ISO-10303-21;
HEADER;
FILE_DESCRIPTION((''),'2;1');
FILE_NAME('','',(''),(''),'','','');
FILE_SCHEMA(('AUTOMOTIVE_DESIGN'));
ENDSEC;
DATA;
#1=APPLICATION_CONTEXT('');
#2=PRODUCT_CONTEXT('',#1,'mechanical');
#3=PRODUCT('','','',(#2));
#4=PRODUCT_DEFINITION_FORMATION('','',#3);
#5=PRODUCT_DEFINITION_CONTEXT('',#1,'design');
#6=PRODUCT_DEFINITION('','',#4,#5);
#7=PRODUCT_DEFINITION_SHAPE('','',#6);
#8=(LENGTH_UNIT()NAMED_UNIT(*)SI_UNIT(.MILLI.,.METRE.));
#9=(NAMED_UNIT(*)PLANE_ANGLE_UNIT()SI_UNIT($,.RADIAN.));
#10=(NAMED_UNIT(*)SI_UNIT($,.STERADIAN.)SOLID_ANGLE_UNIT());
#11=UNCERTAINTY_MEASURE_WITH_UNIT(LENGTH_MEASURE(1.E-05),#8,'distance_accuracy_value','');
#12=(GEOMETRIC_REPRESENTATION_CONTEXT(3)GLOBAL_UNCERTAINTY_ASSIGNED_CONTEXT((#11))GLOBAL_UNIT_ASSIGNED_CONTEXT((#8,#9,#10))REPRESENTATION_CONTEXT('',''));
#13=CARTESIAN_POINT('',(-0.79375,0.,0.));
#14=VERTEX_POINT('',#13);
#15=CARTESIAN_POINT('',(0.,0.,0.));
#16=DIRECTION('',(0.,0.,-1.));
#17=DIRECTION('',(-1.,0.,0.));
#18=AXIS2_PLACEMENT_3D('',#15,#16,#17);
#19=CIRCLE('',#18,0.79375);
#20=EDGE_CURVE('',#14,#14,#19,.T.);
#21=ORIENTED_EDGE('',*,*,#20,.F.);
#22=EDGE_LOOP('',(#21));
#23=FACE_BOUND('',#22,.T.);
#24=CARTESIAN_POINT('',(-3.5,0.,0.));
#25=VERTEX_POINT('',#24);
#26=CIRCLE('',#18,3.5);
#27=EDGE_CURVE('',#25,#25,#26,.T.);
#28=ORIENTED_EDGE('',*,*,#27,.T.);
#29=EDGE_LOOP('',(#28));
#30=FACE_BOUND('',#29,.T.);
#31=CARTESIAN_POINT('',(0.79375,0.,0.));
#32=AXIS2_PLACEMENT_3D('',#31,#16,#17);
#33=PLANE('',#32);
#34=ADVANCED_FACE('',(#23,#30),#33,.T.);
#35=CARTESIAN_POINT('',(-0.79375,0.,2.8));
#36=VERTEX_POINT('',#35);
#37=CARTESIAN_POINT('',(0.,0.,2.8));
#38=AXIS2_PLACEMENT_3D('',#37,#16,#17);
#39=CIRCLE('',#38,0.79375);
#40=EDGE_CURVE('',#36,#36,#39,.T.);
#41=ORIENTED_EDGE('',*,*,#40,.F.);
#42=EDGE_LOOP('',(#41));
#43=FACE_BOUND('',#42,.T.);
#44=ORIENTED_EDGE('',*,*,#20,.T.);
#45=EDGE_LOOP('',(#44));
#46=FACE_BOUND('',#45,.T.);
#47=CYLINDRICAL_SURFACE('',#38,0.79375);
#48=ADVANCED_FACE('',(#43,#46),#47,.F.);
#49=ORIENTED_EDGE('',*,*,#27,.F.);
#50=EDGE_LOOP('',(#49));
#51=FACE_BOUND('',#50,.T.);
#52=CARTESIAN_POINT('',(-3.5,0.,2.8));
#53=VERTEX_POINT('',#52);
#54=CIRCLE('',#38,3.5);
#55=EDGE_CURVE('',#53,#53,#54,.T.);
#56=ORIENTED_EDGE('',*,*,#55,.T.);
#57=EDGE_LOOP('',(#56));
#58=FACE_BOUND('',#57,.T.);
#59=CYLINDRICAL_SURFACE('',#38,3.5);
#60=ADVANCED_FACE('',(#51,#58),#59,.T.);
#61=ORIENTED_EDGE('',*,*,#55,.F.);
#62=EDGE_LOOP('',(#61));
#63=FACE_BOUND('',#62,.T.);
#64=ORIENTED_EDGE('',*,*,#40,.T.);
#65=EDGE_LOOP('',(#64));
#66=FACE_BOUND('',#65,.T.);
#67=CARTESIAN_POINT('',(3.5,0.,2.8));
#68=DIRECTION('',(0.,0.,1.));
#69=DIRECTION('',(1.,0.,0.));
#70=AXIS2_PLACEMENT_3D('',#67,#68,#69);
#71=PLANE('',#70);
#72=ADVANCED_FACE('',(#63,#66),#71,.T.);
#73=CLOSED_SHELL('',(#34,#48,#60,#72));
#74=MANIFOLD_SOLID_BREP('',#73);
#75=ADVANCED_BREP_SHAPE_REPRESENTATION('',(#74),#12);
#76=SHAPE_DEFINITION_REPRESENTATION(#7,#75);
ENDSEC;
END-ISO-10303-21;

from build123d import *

# Parameters (mm, degrees)
SKETCH1_W = 2.70625
SKETCH1_H = 2.8


with BuildPart() as part:
    # Sketch1 → Revolve1 (revolve)
    with BuildSketch(Plane.XZ, mode=Mode.PRIVATE) as revolve1_sk:
        with Locations((2.146875, 1.4)):
            Rectangle(SKETCH1_W, SKETCH1_H)
    revolve(revolve1_sk.sketch.rotate(Axis((0, 0, 2.8), (0, 0, -1)), 180), axis=Axis((0, 0, 2.8), (0, 0, -1)))


solid = part.part
